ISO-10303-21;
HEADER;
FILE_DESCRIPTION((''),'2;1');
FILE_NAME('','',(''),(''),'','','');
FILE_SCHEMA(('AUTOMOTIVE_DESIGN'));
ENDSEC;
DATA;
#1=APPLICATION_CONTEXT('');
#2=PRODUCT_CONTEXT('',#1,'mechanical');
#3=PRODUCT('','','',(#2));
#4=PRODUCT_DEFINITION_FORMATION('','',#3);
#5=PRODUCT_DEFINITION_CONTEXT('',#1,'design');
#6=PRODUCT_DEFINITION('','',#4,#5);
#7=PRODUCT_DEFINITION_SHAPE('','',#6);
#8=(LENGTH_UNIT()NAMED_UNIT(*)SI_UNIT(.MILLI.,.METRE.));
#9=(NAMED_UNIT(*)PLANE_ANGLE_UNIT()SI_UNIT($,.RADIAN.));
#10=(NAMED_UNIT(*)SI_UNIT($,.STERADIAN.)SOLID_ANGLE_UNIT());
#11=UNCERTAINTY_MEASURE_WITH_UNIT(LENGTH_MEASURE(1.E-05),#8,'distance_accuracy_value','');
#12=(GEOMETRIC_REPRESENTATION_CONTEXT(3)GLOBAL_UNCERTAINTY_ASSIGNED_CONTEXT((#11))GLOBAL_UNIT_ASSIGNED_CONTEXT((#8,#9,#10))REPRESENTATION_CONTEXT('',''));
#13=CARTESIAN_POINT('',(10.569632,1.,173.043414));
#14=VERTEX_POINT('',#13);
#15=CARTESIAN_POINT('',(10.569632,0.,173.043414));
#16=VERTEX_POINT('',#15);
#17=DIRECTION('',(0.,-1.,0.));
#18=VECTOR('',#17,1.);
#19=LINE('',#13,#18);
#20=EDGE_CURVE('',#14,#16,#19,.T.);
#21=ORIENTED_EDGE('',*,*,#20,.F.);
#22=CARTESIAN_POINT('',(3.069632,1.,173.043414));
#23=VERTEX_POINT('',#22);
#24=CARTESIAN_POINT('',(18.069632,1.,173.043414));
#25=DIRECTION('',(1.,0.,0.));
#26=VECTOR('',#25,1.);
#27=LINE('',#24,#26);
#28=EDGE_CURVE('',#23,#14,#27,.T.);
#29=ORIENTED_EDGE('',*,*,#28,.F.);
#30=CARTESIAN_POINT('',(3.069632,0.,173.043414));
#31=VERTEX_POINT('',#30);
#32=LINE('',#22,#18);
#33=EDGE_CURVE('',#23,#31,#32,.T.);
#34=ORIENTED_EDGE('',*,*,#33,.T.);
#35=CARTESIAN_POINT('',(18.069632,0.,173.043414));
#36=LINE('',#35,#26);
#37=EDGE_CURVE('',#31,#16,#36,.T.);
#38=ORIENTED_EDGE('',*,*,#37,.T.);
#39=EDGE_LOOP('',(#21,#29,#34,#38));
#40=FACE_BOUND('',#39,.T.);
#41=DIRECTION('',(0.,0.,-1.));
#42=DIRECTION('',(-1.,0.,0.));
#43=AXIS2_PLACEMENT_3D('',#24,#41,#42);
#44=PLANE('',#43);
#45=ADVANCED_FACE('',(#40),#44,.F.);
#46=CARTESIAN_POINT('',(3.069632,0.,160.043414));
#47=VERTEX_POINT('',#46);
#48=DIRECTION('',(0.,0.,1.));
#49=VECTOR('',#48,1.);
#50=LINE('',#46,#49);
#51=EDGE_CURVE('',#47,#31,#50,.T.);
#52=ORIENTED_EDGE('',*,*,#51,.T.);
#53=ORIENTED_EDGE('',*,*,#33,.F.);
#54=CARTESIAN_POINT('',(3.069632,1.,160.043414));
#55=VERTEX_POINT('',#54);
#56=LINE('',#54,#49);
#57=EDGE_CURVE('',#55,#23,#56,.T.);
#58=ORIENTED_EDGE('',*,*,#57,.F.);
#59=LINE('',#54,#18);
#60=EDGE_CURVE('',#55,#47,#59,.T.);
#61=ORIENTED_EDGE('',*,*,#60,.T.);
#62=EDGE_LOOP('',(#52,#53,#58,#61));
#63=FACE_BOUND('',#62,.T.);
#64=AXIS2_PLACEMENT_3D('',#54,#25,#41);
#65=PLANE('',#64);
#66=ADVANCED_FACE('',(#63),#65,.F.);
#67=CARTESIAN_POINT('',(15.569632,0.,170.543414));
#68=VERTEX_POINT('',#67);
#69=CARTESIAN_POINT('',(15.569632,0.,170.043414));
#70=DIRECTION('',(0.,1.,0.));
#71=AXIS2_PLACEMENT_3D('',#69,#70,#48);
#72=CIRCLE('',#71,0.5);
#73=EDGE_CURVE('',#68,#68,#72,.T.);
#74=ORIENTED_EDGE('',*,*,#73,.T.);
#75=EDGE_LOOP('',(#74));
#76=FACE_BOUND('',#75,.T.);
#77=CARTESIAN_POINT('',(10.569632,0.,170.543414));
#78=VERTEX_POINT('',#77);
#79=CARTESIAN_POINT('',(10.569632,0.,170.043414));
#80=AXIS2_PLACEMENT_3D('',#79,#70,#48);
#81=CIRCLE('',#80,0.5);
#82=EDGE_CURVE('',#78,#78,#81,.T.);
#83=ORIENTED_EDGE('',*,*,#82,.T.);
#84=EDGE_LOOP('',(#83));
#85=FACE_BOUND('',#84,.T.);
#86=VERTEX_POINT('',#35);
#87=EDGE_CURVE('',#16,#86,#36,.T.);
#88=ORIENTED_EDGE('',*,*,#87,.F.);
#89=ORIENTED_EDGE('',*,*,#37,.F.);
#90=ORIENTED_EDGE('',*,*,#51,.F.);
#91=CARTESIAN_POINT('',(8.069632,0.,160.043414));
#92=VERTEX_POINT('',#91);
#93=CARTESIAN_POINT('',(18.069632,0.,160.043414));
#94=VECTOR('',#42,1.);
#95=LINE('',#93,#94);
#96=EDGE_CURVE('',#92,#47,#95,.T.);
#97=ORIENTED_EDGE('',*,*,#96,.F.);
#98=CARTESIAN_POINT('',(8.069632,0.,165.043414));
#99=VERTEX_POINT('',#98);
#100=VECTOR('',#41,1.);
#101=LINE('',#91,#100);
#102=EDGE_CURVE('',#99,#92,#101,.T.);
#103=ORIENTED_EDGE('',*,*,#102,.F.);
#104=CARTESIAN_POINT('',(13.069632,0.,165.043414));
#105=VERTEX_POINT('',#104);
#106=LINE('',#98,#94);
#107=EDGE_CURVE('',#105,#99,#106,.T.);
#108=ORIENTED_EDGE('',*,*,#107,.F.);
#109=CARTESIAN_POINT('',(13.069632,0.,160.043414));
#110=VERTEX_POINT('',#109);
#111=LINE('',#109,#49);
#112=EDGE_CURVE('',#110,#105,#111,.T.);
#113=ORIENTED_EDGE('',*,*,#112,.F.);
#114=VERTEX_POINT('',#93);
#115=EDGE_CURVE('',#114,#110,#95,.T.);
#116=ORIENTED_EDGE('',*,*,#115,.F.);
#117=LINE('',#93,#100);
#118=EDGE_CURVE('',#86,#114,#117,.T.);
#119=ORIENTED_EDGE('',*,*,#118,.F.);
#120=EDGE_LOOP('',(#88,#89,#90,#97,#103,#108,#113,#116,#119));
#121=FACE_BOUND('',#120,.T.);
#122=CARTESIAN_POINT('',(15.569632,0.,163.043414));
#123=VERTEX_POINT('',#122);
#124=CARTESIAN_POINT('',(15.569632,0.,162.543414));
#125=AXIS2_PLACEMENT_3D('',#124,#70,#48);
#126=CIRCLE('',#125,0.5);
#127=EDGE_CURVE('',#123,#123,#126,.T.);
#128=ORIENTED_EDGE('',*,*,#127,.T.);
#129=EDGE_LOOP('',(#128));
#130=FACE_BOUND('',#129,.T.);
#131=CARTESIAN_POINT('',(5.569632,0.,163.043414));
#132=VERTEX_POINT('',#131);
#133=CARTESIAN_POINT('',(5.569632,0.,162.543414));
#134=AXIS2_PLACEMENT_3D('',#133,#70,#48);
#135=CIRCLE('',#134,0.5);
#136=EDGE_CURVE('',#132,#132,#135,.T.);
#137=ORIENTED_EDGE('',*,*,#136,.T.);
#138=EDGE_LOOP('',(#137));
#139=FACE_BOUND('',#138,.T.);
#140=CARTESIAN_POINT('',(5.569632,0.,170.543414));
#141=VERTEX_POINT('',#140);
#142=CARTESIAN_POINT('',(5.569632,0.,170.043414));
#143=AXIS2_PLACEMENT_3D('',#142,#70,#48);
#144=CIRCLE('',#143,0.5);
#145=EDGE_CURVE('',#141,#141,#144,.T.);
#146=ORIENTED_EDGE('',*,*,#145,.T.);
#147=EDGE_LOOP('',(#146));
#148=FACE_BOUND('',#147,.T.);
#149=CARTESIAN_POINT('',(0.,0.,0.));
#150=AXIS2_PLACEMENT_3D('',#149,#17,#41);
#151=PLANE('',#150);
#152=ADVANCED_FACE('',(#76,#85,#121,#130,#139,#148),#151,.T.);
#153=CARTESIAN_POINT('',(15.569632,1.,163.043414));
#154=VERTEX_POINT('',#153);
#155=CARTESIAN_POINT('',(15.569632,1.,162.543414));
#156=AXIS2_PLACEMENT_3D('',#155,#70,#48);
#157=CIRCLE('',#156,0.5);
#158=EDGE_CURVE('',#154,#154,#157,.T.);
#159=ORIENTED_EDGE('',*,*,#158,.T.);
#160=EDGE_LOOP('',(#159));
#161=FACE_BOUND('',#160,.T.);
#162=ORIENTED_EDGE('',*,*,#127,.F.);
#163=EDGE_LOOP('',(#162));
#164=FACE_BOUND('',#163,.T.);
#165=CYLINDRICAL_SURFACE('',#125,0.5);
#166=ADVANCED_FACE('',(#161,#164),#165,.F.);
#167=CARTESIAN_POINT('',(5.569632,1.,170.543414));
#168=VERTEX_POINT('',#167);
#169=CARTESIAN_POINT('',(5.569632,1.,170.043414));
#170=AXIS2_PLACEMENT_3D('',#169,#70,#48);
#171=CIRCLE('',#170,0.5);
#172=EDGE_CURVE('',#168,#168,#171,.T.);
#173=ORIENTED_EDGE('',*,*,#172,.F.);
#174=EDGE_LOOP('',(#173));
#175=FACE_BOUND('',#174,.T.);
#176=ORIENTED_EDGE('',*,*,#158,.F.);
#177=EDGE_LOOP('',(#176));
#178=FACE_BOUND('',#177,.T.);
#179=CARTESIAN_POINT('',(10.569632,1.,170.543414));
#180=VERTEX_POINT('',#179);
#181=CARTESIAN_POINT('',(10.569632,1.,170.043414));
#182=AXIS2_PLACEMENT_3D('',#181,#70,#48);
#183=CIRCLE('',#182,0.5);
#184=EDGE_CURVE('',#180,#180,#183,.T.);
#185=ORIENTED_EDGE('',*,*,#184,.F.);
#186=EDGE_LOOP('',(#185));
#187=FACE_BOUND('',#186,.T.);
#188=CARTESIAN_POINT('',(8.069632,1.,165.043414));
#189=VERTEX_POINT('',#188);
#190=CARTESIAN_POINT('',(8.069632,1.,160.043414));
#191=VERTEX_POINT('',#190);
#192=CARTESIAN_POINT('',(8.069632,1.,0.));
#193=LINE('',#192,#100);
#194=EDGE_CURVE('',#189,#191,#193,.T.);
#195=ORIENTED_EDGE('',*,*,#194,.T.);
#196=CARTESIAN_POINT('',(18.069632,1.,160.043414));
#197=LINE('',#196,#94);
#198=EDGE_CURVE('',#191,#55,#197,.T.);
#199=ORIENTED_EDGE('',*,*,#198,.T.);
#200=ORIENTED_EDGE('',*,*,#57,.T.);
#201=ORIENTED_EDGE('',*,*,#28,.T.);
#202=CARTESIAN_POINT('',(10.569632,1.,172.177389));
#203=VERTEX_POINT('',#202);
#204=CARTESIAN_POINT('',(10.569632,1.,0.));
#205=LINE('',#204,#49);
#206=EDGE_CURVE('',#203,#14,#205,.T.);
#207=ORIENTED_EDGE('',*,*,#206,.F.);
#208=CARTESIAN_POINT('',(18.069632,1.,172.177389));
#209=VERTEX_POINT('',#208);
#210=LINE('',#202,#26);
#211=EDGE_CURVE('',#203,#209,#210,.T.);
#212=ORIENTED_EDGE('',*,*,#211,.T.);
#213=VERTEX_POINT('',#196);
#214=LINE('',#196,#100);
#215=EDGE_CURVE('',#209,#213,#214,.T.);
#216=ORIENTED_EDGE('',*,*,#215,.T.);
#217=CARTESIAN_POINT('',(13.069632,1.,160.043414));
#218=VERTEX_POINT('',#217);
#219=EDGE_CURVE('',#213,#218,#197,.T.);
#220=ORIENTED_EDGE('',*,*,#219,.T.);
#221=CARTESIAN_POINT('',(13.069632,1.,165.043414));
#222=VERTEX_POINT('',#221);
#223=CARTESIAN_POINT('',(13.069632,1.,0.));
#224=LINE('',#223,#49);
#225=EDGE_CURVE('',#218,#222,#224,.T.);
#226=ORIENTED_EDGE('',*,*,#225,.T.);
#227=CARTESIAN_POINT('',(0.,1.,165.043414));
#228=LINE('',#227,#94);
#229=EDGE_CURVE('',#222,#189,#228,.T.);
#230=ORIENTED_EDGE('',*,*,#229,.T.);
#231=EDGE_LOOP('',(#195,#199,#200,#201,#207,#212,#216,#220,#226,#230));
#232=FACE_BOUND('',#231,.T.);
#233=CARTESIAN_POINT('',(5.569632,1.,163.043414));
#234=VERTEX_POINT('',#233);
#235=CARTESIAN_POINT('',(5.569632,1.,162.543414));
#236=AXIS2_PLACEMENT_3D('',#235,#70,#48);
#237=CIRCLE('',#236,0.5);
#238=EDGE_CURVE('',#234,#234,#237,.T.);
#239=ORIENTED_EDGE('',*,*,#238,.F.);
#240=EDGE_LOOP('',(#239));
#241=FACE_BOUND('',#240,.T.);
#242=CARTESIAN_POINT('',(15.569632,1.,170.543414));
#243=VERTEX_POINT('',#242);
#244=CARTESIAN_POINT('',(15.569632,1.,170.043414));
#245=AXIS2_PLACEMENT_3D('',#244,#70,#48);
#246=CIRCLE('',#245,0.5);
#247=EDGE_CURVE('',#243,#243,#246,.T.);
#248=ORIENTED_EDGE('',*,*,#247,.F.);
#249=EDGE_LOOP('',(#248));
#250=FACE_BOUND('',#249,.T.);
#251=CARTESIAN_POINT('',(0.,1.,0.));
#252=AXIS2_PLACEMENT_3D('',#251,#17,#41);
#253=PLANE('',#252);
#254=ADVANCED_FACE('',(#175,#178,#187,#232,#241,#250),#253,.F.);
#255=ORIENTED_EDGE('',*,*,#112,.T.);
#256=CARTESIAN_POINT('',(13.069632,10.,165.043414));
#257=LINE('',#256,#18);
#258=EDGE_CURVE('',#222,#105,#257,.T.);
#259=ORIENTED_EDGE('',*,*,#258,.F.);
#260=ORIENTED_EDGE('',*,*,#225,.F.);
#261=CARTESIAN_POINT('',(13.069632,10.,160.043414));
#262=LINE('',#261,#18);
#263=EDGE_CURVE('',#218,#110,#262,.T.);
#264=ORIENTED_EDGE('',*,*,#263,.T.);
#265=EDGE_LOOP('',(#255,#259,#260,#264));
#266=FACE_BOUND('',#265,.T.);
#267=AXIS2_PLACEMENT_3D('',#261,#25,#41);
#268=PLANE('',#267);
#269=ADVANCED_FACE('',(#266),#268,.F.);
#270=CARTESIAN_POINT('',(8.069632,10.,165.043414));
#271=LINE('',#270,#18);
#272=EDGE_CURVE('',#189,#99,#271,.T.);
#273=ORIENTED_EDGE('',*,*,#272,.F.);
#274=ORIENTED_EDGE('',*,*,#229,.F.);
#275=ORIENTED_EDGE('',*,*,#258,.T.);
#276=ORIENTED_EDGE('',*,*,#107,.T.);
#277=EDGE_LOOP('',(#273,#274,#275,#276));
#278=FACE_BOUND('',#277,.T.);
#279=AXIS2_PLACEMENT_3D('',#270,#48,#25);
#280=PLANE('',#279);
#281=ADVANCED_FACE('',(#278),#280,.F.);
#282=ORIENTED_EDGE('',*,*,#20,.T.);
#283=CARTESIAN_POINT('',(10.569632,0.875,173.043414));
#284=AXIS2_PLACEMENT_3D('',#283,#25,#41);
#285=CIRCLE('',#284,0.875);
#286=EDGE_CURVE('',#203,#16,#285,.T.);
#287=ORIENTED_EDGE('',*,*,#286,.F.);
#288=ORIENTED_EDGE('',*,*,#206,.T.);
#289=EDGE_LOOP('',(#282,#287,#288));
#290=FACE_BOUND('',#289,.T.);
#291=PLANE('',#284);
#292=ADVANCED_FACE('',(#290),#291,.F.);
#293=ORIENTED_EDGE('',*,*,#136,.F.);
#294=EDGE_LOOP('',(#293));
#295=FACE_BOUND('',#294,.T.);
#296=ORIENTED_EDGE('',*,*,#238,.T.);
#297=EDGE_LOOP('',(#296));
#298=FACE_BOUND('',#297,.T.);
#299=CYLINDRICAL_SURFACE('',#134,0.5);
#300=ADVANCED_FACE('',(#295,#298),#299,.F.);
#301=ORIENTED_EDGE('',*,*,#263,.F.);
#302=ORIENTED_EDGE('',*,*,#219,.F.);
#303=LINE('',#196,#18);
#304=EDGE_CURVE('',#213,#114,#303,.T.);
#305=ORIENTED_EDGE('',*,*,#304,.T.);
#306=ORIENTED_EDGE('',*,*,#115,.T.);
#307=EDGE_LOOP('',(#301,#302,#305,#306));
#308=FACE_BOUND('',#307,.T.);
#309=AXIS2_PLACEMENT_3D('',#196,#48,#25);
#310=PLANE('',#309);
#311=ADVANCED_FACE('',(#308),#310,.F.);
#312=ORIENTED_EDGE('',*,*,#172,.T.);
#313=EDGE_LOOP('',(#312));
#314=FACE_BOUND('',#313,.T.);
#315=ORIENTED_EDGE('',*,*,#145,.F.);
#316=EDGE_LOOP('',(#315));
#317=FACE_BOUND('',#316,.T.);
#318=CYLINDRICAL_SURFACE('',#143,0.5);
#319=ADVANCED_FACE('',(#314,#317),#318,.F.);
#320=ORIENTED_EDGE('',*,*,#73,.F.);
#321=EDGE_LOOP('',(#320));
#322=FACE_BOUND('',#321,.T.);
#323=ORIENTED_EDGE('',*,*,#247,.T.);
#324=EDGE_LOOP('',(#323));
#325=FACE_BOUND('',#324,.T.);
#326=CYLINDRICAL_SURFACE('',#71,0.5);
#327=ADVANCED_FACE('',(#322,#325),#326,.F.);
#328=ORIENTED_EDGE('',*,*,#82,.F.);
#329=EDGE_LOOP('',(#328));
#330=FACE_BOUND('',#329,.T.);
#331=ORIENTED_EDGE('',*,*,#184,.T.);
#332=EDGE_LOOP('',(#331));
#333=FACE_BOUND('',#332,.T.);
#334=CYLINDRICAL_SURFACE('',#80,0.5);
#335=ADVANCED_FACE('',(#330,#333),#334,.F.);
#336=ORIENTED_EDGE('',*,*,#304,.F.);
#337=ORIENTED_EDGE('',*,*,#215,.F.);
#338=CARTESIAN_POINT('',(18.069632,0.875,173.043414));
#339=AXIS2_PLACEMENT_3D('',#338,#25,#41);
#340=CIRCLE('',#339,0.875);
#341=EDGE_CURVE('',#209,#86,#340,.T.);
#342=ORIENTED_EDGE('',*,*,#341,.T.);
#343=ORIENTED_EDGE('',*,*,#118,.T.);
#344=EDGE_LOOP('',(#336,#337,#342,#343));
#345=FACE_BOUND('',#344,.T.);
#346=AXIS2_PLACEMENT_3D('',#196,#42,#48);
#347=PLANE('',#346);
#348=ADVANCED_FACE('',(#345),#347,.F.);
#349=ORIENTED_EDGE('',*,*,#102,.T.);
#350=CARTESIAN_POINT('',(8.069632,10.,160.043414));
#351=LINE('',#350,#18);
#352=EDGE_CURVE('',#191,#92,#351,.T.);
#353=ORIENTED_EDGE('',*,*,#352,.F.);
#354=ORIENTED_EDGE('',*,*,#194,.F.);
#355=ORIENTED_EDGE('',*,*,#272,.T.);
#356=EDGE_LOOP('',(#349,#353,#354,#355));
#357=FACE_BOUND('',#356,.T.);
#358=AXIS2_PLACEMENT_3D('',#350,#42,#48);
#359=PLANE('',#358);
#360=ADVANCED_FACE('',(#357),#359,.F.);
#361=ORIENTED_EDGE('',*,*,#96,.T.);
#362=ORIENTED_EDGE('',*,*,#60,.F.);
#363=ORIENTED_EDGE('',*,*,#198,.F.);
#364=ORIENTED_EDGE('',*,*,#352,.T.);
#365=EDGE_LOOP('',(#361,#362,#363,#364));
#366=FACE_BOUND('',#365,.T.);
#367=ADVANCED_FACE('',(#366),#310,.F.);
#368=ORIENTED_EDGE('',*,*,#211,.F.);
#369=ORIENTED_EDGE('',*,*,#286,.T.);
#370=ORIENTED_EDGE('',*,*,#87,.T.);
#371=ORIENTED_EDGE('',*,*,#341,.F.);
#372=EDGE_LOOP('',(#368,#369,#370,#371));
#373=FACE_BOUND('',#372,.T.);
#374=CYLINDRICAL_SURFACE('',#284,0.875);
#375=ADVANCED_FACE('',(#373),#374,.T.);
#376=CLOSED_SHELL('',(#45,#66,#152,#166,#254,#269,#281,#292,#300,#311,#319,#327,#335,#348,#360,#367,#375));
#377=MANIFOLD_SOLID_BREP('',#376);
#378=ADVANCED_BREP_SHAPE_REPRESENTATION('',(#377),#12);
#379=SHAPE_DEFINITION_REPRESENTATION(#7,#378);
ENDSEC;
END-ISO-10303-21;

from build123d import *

# Parameters (mm, degrees)
SKETCH1_W           = 15
SKETCH1_H           = 13
BOSS_EXTRUDE1_DEPTH = 1
SKETCH2_R           = 0.875
BOSS_EXTRUDE2_DEPTH = 7.5
SKETCH3_W           = 5
SKETCH3_H           = 5
CUT_EXTRUDE1_DEPTH  = 10
SKETCH4_R           = 0.5
CUT_EXTRUDE2_DEPTH  = 2


with BuildPart() as part:
    # Sketch1 → Boss-Extrude1 (new body)
    with BuildSketch(Plane(origin=(0, 0, 0), x_dir=(1, 0, 0), z_dir=(0, 1, 0))):
        with Locations((10.569631841, -166.54341444)):
            Rectangle(SKETCH1_W, SKETCH1_H)
    extrude(amount=BOSS_EXTRUDE1_DEPTH)

    # Sketch2 → Boss-Extrude2 (add)
    with BuildSketch(Plane(origin=(18.069631841, 0, 0), x_dir=(0, 0, -1), z_dir=(1, 0, 0))):
        with Locations((-173.04341444, 0.875)):
            Circle(SKETCH2_R)
    extrude(amount=-BOSS_EXTRUDE2_DEPTH)

    # Sketch3 → Cut-Extrude1 (cut)
    with BuildSketch(Plane(origin=(0, 0, 0), x_dir=(-1, 0, 0), z_dir=(0, -1, 0))):
        with Locations((-10.569631841, -162.54341444)):
            Rectangle(SKETCH3_W, SKETCH3_H)
    extrude(amount=-CUT_EXTRUDE1_DEPTH, mode=Mode.SUBTRACT)

    # Sketch4 → Cut-Extrude2 (cut, through all)
    with BuildSketch(Plane(origin=(0, 1, 0), x_dir=(1, 0, 0), z_dir=(0, 1, 0))):
        with Locations((15.569631841, -162.54341444)):
            Circle(SKETCH4_R)
        with Locations((15.569631841, -170.04341444)):
            Circle(SKETCH4_R)
        with Locations((10.569631841, -170.04341444)):
            Circle(SKETCH4_R)
        with Locations((5.569631841, -170.04341444)):
            Circle(SKETCH4_R)
        with Locations((5.569631841, -162.54341444)):
            Circle(SKETCH4_R)
    extrude(amount=-CUT_EXTRUDE2_DEPTH, mode=Mode.SUBTRACT)


solid = part.part
